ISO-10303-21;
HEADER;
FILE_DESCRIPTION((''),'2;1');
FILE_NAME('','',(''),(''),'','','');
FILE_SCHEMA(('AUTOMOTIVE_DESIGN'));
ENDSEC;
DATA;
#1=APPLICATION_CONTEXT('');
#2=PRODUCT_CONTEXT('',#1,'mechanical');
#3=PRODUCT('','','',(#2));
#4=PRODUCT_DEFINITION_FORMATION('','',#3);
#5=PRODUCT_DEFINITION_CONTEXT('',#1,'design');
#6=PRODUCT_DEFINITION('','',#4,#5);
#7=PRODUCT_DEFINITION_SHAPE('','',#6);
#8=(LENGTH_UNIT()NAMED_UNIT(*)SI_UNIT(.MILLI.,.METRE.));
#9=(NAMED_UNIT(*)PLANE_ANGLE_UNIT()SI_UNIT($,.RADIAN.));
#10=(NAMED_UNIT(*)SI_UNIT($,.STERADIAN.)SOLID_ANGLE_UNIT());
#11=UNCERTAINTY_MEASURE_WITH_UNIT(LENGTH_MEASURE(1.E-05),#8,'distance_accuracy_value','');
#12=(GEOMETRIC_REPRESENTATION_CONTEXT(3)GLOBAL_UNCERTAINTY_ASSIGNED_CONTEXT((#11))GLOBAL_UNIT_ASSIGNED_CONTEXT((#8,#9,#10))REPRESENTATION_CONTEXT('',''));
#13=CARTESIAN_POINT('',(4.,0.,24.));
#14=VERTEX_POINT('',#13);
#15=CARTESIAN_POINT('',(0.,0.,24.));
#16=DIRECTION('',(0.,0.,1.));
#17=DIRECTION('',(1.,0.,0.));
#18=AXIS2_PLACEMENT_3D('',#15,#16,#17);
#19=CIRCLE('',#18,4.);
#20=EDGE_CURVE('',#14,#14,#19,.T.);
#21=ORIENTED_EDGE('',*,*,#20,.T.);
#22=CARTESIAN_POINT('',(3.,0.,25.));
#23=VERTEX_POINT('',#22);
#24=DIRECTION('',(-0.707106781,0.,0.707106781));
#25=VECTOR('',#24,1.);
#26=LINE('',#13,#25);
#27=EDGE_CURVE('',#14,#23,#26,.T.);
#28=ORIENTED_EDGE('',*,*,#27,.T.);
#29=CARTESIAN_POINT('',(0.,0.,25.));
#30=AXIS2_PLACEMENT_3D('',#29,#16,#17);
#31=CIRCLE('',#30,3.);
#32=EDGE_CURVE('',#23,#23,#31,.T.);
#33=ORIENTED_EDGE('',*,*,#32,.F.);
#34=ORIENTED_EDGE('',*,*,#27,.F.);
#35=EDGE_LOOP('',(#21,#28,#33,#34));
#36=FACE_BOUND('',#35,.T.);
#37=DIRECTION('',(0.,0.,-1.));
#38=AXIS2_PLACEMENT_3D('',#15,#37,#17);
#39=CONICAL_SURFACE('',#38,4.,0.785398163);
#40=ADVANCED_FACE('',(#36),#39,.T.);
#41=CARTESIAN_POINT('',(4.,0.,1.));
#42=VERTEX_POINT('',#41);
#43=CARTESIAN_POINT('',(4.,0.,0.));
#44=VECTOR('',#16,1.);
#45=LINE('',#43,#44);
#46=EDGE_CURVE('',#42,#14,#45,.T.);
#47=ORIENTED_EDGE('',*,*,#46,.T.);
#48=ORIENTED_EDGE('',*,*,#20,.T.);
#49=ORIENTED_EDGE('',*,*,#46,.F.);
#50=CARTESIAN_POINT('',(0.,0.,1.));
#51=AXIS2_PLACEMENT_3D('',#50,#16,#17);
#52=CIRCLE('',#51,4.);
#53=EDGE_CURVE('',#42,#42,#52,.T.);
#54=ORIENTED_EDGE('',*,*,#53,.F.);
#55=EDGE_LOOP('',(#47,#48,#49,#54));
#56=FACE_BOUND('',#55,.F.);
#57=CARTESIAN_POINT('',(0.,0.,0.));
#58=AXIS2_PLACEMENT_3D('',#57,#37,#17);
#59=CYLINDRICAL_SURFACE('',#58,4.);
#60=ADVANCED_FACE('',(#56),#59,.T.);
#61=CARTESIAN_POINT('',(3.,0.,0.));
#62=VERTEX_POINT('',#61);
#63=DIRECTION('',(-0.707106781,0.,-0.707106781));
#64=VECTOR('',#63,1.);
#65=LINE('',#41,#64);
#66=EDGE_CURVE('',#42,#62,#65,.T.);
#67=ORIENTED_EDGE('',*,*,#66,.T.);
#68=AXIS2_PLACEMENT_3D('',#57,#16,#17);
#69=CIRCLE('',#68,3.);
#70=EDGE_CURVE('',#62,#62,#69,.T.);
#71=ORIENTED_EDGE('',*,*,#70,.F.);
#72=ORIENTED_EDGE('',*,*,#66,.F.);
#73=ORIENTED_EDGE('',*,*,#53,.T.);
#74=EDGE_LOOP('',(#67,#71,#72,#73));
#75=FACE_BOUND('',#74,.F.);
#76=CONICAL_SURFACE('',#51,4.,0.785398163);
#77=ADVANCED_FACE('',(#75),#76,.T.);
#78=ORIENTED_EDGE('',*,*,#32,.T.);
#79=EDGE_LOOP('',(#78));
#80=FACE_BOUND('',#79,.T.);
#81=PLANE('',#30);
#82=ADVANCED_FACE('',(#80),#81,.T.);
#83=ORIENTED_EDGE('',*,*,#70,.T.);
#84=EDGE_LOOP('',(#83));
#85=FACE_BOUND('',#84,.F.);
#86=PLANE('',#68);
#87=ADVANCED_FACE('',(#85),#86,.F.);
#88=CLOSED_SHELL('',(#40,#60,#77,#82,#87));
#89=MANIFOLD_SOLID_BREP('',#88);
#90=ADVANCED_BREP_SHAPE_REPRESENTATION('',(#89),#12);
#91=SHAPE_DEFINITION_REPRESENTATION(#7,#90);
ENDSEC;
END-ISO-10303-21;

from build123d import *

# Parameters (mm, degrees)
F0_R     = 4
F1_DEPTH = 25
F2_SIZE2 = 1
F2_SIZE  = 1


with BuildPart() as f1:
    # F0 (on Top) → F1 (new body)
    with BuildSketch(Plane.XY):
        Circle(F0_R)
    extrude(amount=F1_DEPTH)

    # F2
    f2_edges = [f1.edges().sort_by_distance(p)[0] for p in [
        (-4, 0, 25),
        (-4, 0, 0),
    ]]
    chamfer(f2_edges, length=F2_SIZE, length2=F2_SIZE2)


solid = f1.part
